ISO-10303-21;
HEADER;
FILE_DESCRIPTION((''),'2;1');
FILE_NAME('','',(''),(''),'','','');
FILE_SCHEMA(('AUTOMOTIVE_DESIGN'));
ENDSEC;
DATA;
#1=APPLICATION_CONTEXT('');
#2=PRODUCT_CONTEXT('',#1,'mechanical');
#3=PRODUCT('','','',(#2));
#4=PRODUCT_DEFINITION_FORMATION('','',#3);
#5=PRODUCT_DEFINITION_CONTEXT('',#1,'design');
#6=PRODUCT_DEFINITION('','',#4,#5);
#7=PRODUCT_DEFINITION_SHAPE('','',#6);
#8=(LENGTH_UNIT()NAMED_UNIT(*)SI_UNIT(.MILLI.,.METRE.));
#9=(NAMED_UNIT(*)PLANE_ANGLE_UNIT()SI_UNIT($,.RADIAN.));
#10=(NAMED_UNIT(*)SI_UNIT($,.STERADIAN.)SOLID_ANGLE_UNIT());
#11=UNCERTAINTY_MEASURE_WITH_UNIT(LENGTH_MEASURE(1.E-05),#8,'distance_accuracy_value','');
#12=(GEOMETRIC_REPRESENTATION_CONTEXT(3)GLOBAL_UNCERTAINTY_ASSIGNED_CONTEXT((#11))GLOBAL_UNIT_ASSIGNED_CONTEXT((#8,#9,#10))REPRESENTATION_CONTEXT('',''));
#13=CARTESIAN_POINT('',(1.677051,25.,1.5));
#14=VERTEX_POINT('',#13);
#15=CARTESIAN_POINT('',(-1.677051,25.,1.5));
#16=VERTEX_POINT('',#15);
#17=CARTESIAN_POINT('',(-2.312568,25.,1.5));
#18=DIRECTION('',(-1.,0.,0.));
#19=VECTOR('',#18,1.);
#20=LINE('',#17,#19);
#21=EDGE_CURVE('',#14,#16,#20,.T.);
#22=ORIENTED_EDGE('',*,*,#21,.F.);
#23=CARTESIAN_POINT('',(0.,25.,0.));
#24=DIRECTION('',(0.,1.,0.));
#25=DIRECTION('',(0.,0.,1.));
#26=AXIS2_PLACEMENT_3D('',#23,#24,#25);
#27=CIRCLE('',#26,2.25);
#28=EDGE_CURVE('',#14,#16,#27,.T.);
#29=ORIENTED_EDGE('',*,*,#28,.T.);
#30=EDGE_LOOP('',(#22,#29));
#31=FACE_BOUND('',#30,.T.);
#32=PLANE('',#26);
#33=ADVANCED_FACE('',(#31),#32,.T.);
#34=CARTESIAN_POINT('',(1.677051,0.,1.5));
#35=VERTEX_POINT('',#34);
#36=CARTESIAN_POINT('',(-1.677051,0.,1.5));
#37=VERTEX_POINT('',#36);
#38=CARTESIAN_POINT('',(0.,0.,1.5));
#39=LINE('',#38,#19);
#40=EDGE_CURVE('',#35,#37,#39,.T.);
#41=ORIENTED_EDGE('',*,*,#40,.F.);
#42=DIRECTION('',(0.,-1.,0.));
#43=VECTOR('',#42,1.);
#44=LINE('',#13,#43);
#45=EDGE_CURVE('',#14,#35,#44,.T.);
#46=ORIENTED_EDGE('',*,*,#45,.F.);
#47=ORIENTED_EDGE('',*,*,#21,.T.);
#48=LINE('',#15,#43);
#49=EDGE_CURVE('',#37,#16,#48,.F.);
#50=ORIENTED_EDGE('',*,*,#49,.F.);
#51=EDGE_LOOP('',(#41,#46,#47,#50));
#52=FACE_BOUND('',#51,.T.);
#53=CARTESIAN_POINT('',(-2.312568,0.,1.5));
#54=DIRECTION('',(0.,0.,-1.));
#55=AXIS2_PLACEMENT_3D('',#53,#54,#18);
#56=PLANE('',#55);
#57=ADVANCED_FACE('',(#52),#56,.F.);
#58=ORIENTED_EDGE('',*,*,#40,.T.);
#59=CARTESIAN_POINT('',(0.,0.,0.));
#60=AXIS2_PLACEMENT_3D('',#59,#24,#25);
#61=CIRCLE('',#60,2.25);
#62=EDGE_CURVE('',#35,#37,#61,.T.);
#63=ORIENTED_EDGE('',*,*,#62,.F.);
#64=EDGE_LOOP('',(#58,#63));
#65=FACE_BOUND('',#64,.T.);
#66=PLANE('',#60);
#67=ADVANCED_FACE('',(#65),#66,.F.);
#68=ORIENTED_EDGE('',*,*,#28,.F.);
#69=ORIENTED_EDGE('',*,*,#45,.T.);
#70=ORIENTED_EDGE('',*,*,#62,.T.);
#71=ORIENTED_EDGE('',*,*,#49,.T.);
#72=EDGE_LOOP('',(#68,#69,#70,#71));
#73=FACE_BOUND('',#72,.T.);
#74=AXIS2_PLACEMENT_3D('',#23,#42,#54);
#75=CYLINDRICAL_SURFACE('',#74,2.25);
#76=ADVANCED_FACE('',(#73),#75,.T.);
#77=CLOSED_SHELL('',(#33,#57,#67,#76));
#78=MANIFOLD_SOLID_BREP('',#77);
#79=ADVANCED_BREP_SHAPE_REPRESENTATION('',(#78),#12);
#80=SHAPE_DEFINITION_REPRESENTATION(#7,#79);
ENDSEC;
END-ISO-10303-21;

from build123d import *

# Parameters (mm, degrees)
SKETCH2_R           = 2.25
BOSS_EXTRUDE1_DEPTH = 25
SKETCH4_W           = 4.625136888
SKETCH4_H           = 0.896227251
CUT_EXTRUDE1_DEPTH  = 25


with BuildPart() as part:
    # Sketch2 → Boss-Extrude1 (new body)
    with BuildSketch(Plane(origin=(0, 0, 0), x_dir=(1, 0, 0), z_dir=(0, 1, 0))):
        Circle(SKETCH2_R)
    extrude(amount=BOSS_EXTRUDE1_DEPTH)

    # Sketch4 → Cut-Extrude1 (cut)
    with BuildSketch(Plane(origin=(0, 25, 0), x_dir=(1, 0, 0), z_dir=(0, 1, 0))):
        with Locations((0, -1.948113626)):
            Rectangle(SKETCH4_W, SKETCH4_H)
    extrude(amount=-CUT_EXTRUDE1_DEPTH, mode=Mode.SUBTRACT)


solid = part.part
